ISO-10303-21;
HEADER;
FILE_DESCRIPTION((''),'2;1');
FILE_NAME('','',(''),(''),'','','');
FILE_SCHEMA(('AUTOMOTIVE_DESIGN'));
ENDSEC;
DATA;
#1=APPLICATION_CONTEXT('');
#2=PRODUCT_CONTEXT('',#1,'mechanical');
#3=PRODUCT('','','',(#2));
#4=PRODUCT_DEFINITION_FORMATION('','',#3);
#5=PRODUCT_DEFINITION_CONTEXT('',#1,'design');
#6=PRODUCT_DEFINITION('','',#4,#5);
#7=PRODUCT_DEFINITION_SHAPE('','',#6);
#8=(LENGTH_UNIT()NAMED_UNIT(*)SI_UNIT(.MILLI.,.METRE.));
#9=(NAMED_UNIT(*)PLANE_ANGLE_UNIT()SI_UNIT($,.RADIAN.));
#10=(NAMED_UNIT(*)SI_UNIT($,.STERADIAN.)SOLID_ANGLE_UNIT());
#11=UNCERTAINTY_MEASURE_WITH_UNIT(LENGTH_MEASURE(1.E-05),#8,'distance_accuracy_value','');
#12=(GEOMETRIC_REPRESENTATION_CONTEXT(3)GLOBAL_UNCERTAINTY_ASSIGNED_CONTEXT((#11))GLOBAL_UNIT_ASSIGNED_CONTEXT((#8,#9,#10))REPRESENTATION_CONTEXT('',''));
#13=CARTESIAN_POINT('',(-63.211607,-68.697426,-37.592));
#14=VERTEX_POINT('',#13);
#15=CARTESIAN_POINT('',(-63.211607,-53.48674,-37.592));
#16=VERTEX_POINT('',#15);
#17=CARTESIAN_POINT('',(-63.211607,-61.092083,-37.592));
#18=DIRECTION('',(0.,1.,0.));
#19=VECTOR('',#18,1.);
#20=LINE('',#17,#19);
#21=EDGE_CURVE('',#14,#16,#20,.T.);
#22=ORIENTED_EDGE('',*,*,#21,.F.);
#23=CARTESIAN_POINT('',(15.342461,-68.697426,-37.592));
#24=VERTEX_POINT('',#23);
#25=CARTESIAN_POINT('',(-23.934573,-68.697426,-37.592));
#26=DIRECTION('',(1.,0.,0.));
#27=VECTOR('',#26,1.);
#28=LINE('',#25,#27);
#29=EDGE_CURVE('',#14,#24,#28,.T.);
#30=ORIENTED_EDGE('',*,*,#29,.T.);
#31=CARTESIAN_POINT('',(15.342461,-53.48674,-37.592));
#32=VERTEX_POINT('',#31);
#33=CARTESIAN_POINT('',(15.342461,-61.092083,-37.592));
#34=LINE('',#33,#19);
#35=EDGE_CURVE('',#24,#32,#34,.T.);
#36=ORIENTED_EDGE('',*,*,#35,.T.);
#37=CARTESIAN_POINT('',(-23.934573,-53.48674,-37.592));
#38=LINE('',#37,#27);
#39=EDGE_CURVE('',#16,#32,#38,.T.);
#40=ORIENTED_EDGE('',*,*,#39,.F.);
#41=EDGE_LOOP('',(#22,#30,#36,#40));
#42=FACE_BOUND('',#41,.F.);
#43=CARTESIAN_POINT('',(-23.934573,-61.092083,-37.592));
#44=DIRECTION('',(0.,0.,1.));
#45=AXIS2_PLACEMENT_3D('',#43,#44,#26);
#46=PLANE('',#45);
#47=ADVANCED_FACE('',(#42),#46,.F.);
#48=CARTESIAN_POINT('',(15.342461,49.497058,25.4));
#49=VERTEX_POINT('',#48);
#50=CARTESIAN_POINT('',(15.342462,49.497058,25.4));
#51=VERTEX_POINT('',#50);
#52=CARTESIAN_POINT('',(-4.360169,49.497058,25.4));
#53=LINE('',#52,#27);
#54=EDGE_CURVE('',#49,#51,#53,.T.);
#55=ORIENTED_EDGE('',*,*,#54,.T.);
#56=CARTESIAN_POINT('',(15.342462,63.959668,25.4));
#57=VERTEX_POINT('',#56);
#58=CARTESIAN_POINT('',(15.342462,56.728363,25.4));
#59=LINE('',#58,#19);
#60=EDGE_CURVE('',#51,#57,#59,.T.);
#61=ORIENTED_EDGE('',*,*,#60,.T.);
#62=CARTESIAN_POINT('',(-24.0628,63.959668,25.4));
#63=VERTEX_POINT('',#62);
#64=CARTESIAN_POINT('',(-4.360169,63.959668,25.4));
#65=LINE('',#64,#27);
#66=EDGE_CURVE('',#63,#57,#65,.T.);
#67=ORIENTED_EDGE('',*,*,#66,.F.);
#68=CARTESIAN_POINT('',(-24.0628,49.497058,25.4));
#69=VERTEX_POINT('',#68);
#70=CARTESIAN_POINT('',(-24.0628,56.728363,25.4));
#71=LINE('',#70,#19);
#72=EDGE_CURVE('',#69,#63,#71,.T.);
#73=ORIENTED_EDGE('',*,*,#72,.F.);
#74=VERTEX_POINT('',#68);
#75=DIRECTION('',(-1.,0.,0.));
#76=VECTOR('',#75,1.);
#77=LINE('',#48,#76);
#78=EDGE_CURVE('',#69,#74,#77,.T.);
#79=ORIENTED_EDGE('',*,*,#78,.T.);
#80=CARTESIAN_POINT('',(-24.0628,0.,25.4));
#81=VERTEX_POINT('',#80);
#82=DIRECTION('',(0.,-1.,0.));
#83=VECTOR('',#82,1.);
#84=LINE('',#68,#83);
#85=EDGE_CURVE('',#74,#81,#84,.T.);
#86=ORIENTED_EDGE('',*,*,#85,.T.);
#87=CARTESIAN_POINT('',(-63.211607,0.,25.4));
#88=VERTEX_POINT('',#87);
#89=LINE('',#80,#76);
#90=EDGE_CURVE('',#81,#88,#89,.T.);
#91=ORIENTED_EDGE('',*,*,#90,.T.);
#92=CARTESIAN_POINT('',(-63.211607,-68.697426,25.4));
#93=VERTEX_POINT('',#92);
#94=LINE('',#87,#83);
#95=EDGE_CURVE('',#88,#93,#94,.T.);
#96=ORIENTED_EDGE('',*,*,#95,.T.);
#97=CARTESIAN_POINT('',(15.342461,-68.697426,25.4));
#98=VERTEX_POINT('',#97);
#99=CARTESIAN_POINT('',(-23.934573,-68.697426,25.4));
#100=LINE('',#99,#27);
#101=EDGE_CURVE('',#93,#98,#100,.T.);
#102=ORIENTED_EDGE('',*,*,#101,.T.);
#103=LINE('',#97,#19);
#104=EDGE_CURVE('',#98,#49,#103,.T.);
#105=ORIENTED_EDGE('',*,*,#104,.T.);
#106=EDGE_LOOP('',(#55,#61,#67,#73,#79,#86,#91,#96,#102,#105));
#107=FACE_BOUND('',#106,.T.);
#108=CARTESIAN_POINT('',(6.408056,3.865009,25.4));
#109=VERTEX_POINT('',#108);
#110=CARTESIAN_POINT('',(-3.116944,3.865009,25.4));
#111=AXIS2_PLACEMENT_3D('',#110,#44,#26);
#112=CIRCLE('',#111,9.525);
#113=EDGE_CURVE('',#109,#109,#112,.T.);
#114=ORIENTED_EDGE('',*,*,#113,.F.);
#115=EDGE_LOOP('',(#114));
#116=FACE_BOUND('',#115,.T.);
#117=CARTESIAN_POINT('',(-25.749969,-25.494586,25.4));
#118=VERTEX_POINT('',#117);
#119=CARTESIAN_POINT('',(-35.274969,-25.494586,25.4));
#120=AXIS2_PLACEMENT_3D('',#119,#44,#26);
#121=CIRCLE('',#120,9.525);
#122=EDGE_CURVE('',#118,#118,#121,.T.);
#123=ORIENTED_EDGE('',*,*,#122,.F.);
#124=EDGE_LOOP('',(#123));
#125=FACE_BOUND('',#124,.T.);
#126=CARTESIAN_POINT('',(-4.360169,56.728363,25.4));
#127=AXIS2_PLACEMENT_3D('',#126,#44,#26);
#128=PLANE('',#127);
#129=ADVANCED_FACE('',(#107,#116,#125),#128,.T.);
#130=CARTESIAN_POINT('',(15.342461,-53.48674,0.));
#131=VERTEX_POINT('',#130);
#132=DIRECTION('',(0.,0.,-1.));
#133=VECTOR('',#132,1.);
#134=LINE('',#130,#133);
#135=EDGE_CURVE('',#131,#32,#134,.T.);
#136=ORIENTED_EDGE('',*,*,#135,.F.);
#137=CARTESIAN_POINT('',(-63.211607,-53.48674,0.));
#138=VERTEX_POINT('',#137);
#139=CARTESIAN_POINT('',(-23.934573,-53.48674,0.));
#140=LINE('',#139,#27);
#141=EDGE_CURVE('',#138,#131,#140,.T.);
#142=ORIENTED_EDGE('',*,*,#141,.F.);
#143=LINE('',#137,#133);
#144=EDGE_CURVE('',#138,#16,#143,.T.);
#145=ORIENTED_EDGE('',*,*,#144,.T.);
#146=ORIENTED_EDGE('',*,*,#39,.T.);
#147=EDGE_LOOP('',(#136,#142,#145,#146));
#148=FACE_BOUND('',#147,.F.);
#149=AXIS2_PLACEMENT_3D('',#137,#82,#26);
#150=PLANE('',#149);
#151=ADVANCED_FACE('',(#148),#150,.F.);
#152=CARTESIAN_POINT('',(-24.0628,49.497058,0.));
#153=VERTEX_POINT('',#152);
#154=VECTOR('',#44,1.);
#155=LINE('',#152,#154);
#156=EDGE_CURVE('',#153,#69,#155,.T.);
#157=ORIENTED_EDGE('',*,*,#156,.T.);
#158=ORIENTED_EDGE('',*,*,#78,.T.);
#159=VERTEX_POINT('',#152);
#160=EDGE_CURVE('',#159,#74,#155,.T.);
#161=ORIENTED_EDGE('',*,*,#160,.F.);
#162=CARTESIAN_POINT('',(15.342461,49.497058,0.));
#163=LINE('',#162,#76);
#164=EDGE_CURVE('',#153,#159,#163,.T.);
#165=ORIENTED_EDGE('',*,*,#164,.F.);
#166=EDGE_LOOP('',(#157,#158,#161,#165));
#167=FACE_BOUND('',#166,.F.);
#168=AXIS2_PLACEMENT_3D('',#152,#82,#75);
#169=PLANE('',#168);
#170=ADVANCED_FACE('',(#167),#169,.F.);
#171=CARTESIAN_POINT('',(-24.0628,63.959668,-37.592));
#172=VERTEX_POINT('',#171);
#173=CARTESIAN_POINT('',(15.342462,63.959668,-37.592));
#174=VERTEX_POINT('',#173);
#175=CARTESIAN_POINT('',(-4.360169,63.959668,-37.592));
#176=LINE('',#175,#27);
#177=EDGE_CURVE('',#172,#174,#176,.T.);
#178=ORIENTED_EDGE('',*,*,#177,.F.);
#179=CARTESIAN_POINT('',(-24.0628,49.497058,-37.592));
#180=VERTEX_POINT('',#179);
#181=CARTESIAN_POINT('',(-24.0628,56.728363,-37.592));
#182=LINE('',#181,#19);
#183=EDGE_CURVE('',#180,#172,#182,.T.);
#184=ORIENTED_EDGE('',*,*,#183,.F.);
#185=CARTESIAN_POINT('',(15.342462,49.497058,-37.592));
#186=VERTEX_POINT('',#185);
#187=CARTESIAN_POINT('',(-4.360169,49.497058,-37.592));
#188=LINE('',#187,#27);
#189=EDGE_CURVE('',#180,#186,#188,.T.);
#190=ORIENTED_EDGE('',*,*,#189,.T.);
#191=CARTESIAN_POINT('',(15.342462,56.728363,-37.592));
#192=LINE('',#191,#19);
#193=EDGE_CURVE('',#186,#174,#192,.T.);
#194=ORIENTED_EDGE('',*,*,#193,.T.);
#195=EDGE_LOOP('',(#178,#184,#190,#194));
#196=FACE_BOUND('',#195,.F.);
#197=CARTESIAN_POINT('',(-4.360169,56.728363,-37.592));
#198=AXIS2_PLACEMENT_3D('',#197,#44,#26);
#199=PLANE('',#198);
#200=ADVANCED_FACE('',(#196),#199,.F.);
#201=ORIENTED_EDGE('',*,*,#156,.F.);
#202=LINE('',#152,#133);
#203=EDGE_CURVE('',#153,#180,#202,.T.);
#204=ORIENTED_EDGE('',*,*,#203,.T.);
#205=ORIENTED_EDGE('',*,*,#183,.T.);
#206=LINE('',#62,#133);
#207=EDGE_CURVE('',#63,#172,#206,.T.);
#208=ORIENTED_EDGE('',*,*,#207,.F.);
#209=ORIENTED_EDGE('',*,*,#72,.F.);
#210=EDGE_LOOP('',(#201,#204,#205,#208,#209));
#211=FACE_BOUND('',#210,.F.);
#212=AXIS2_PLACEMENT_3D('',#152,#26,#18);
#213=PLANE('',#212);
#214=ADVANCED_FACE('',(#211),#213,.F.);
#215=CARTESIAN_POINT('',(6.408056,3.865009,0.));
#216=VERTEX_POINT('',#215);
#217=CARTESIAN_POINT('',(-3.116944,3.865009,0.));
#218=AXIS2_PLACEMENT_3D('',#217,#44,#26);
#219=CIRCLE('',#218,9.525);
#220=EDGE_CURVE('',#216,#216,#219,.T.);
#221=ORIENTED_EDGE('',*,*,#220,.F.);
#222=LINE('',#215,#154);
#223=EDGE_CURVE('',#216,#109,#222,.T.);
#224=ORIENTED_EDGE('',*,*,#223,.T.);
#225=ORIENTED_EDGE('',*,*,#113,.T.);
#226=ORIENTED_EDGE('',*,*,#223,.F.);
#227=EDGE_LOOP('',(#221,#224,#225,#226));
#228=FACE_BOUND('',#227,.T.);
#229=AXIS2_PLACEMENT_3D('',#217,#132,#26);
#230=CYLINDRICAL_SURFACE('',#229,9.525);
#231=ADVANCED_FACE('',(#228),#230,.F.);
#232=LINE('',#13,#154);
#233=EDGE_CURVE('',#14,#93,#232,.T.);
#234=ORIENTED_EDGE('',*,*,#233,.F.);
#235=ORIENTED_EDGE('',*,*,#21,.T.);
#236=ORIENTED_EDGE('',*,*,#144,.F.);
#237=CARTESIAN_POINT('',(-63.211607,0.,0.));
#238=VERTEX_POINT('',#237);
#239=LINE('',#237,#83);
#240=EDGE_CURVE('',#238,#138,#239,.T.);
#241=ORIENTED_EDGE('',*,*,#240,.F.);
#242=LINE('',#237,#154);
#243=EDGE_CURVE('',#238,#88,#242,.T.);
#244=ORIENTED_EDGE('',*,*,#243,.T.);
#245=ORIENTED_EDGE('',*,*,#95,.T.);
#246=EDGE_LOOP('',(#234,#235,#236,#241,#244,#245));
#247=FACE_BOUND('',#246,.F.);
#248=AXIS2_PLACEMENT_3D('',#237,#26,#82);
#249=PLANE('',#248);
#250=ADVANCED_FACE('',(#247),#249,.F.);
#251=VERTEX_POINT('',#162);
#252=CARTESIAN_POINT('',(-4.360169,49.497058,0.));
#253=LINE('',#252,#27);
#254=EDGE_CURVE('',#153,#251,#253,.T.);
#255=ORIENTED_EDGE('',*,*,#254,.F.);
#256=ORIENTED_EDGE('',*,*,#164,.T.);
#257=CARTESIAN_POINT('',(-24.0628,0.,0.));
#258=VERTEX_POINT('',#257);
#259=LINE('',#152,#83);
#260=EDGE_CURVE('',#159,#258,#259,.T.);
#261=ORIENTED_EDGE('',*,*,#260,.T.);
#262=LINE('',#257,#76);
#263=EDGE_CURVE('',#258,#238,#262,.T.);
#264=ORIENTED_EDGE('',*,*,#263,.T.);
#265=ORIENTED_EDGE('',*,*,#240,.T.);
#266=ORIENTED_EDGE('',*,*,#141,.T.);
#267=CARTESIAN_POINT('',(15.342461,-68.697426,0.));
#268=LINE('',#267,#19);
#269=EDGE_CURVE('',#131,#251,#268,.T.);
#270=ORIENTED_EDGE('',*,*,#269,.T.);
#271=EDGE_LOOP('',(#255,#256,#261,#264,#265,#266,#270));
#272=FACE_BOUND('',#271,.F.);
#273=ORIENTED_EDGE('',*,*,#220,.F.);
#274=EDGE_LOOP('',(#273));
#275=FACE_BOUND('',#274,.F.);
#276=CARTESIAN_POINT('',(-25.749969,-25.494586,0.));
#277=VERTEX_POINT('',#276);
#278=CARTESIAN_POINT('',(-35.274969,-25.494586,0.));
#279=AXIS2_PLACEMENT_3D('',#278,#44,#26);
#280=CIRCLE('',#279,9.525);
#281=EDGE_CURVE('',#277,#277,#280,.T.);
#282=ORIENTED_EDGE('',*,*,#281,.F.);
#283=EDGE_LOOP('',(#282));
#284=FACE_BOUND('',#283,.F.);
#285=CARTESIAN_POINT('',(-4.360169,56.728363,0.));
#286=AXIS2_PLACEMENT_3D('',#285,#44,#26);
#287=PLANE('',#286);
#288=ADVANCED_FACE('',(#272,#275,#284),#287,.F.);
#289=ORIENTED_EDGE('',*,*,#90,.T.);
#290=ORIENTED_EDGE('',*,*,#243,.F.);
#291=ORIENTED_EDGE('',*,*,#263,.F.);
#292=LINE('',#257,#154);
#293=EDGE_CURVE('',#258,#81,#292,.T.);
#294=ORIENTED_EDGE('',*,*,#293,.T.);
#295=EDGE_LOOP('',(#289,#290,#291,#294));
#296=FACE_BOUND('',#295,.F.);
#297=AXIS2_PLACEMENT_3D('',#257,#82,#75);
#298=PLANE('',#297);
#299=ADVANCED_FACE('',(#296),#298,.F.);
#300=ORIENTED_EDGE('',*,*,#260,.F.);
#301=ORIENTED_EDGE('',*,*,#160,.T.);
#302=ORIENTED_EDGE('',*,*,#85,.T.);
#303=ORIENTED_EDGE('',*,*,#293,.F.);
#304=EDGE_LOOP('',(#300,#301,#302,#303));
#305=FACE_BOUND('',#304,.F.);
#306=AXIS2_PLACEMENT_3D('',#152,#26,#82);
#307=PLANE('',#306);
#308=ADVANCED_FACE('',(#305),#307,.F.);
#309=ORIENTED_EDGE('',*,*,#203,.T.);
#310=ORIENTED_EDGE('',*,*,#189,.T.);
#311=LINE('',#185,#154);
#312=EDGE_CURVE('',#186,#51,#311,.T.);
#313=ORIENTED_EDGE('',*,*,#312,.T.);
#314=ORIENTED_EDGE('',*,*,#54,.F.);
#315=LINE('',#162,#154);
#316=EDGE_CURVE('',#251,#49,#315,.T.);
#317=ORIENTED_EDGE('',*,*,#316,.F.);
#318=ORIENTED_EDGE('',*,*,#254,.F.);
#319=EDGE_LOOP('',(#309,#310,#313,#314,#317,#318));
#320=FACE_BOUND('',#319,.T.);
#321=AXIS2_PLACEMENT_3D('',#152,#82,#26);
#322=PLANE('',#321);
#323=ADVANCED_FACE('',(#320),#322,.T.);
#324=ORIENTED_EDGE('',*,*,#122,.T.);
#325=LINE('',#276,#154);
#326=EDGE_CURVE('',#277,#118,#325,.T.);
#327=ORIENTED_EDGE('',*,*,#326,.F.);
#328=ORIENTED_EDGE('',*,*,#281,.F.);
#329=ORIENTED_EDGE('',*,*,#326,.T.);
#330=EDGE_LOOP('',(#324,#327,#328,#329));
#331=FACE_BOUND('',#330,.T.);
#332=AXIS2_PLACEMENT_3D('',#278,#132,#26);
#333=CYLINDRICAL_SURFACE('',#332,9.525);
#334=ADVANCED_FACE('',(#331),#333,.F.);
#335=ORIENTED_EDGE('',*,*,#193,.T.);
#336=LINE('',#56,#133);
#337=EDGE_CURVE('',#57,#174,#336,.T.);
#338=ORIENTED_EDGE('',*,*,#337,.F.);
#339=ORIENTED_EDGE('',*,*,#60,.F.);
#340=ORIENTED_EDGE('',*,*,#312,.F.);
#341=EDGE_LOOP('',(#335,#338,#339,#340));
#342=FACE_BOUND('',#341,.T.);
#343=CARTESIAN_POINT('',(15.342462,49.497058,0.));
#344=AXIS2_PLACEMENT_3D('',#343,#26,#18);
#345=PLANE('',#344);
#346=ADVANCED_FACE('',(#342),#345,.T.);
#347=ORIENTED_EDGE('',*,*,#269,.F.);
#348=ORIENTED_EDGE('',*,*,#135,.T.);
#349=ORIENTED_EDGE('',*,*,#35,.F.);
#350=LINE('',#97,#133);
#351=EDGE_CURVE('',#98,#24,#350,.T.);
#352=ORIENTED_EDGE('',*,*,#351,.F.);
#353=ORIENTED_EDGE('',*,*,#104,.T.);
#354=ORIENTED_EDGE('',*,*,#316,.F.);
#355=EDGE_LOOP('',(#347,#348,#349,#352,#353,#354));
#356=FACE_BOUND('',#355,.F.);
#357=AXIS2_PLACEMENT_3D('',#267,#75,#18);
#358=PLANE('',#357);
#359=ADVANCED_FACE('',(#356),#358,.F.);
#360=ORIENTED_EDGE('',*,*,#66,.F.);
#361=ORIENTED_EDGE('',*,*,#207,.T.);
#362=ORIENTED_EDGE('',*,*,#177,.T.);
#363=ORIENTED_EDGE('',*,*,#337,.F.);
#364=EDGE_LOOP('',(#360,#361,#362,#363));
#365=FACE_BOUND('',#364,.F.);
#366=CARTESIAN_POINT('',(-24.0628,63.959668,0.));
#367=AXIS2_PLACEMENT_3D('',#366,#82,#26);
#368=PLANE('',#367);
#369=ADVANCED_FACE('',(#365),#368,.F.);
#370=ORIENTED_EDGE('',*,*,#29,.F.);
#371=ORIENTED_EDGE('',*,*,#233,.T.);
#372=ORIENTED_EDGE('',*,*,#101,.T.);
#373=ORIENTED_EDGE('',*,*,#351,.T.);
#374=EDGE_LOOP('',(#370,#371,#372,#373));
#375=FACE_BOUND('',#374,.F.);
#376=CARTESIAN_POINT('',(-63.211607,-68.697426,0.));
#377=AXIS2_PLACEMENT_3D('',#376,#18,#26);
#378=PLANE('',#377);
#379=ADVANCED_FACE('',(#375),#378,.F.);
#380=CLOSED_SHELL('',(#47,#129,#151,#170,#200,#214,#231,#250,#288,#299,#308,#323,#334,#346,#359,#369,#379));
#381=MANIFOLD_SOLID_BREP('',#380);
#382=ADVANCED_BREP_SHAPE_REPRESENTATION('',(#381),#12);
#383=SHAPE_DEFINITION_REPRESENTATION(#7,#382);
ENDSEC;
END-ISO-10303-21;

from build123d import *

# Parameters (mm, degrees)
F0_W     = 39.405261
F0_H     = 14.46261
F0_R     = 9.525
F0_W_2   = 78.554068
F0_H_2   = 15.210686
F1_DEPTH = 25.4
F2_DEPTH = 37.592


with BuildPart() as f1:
    # F0 (on Top) → F1 (new body)
    with BuildSketch(Plane.XY):
        with Locations((-4.360169, 56.728363)):
            Rectangle(F0_W, F0_H)
        Polygon((15.342461, 49.497058), (-24.0628, 49.497058), (-24.0628, 0), (-63.211607, 0), (-63.211607, -53.48674), (15.342461, -53.48674), align=None)
        with Locations((-35.274969, -25.494586)):
            Circle(F0_R, mode=Mode.SUBTRACT)
        with Locations((-3.116944, 3.865009)):
            Circle(F0_R, mode=Mode.SUBTRACT)
        with Locations((-23.934573, -61.092083)):
            Rectangle(F0_W_2, F0_H_2)
    extrude(amount=F1_DEPTH)

    # F0 (on Top) → F2 (join)
    with BuildSketch(Plane.XY):
        with Locations((-4.360169, 56.728363)):
            Rectangle(F0_W, F0_H)
        with Locations((-23.934573, -61.092083)):
            Rectangle(F0_W_2, F0_H_2)
    extrude(amount=-F2_DEPTH)


solid = f1.part
